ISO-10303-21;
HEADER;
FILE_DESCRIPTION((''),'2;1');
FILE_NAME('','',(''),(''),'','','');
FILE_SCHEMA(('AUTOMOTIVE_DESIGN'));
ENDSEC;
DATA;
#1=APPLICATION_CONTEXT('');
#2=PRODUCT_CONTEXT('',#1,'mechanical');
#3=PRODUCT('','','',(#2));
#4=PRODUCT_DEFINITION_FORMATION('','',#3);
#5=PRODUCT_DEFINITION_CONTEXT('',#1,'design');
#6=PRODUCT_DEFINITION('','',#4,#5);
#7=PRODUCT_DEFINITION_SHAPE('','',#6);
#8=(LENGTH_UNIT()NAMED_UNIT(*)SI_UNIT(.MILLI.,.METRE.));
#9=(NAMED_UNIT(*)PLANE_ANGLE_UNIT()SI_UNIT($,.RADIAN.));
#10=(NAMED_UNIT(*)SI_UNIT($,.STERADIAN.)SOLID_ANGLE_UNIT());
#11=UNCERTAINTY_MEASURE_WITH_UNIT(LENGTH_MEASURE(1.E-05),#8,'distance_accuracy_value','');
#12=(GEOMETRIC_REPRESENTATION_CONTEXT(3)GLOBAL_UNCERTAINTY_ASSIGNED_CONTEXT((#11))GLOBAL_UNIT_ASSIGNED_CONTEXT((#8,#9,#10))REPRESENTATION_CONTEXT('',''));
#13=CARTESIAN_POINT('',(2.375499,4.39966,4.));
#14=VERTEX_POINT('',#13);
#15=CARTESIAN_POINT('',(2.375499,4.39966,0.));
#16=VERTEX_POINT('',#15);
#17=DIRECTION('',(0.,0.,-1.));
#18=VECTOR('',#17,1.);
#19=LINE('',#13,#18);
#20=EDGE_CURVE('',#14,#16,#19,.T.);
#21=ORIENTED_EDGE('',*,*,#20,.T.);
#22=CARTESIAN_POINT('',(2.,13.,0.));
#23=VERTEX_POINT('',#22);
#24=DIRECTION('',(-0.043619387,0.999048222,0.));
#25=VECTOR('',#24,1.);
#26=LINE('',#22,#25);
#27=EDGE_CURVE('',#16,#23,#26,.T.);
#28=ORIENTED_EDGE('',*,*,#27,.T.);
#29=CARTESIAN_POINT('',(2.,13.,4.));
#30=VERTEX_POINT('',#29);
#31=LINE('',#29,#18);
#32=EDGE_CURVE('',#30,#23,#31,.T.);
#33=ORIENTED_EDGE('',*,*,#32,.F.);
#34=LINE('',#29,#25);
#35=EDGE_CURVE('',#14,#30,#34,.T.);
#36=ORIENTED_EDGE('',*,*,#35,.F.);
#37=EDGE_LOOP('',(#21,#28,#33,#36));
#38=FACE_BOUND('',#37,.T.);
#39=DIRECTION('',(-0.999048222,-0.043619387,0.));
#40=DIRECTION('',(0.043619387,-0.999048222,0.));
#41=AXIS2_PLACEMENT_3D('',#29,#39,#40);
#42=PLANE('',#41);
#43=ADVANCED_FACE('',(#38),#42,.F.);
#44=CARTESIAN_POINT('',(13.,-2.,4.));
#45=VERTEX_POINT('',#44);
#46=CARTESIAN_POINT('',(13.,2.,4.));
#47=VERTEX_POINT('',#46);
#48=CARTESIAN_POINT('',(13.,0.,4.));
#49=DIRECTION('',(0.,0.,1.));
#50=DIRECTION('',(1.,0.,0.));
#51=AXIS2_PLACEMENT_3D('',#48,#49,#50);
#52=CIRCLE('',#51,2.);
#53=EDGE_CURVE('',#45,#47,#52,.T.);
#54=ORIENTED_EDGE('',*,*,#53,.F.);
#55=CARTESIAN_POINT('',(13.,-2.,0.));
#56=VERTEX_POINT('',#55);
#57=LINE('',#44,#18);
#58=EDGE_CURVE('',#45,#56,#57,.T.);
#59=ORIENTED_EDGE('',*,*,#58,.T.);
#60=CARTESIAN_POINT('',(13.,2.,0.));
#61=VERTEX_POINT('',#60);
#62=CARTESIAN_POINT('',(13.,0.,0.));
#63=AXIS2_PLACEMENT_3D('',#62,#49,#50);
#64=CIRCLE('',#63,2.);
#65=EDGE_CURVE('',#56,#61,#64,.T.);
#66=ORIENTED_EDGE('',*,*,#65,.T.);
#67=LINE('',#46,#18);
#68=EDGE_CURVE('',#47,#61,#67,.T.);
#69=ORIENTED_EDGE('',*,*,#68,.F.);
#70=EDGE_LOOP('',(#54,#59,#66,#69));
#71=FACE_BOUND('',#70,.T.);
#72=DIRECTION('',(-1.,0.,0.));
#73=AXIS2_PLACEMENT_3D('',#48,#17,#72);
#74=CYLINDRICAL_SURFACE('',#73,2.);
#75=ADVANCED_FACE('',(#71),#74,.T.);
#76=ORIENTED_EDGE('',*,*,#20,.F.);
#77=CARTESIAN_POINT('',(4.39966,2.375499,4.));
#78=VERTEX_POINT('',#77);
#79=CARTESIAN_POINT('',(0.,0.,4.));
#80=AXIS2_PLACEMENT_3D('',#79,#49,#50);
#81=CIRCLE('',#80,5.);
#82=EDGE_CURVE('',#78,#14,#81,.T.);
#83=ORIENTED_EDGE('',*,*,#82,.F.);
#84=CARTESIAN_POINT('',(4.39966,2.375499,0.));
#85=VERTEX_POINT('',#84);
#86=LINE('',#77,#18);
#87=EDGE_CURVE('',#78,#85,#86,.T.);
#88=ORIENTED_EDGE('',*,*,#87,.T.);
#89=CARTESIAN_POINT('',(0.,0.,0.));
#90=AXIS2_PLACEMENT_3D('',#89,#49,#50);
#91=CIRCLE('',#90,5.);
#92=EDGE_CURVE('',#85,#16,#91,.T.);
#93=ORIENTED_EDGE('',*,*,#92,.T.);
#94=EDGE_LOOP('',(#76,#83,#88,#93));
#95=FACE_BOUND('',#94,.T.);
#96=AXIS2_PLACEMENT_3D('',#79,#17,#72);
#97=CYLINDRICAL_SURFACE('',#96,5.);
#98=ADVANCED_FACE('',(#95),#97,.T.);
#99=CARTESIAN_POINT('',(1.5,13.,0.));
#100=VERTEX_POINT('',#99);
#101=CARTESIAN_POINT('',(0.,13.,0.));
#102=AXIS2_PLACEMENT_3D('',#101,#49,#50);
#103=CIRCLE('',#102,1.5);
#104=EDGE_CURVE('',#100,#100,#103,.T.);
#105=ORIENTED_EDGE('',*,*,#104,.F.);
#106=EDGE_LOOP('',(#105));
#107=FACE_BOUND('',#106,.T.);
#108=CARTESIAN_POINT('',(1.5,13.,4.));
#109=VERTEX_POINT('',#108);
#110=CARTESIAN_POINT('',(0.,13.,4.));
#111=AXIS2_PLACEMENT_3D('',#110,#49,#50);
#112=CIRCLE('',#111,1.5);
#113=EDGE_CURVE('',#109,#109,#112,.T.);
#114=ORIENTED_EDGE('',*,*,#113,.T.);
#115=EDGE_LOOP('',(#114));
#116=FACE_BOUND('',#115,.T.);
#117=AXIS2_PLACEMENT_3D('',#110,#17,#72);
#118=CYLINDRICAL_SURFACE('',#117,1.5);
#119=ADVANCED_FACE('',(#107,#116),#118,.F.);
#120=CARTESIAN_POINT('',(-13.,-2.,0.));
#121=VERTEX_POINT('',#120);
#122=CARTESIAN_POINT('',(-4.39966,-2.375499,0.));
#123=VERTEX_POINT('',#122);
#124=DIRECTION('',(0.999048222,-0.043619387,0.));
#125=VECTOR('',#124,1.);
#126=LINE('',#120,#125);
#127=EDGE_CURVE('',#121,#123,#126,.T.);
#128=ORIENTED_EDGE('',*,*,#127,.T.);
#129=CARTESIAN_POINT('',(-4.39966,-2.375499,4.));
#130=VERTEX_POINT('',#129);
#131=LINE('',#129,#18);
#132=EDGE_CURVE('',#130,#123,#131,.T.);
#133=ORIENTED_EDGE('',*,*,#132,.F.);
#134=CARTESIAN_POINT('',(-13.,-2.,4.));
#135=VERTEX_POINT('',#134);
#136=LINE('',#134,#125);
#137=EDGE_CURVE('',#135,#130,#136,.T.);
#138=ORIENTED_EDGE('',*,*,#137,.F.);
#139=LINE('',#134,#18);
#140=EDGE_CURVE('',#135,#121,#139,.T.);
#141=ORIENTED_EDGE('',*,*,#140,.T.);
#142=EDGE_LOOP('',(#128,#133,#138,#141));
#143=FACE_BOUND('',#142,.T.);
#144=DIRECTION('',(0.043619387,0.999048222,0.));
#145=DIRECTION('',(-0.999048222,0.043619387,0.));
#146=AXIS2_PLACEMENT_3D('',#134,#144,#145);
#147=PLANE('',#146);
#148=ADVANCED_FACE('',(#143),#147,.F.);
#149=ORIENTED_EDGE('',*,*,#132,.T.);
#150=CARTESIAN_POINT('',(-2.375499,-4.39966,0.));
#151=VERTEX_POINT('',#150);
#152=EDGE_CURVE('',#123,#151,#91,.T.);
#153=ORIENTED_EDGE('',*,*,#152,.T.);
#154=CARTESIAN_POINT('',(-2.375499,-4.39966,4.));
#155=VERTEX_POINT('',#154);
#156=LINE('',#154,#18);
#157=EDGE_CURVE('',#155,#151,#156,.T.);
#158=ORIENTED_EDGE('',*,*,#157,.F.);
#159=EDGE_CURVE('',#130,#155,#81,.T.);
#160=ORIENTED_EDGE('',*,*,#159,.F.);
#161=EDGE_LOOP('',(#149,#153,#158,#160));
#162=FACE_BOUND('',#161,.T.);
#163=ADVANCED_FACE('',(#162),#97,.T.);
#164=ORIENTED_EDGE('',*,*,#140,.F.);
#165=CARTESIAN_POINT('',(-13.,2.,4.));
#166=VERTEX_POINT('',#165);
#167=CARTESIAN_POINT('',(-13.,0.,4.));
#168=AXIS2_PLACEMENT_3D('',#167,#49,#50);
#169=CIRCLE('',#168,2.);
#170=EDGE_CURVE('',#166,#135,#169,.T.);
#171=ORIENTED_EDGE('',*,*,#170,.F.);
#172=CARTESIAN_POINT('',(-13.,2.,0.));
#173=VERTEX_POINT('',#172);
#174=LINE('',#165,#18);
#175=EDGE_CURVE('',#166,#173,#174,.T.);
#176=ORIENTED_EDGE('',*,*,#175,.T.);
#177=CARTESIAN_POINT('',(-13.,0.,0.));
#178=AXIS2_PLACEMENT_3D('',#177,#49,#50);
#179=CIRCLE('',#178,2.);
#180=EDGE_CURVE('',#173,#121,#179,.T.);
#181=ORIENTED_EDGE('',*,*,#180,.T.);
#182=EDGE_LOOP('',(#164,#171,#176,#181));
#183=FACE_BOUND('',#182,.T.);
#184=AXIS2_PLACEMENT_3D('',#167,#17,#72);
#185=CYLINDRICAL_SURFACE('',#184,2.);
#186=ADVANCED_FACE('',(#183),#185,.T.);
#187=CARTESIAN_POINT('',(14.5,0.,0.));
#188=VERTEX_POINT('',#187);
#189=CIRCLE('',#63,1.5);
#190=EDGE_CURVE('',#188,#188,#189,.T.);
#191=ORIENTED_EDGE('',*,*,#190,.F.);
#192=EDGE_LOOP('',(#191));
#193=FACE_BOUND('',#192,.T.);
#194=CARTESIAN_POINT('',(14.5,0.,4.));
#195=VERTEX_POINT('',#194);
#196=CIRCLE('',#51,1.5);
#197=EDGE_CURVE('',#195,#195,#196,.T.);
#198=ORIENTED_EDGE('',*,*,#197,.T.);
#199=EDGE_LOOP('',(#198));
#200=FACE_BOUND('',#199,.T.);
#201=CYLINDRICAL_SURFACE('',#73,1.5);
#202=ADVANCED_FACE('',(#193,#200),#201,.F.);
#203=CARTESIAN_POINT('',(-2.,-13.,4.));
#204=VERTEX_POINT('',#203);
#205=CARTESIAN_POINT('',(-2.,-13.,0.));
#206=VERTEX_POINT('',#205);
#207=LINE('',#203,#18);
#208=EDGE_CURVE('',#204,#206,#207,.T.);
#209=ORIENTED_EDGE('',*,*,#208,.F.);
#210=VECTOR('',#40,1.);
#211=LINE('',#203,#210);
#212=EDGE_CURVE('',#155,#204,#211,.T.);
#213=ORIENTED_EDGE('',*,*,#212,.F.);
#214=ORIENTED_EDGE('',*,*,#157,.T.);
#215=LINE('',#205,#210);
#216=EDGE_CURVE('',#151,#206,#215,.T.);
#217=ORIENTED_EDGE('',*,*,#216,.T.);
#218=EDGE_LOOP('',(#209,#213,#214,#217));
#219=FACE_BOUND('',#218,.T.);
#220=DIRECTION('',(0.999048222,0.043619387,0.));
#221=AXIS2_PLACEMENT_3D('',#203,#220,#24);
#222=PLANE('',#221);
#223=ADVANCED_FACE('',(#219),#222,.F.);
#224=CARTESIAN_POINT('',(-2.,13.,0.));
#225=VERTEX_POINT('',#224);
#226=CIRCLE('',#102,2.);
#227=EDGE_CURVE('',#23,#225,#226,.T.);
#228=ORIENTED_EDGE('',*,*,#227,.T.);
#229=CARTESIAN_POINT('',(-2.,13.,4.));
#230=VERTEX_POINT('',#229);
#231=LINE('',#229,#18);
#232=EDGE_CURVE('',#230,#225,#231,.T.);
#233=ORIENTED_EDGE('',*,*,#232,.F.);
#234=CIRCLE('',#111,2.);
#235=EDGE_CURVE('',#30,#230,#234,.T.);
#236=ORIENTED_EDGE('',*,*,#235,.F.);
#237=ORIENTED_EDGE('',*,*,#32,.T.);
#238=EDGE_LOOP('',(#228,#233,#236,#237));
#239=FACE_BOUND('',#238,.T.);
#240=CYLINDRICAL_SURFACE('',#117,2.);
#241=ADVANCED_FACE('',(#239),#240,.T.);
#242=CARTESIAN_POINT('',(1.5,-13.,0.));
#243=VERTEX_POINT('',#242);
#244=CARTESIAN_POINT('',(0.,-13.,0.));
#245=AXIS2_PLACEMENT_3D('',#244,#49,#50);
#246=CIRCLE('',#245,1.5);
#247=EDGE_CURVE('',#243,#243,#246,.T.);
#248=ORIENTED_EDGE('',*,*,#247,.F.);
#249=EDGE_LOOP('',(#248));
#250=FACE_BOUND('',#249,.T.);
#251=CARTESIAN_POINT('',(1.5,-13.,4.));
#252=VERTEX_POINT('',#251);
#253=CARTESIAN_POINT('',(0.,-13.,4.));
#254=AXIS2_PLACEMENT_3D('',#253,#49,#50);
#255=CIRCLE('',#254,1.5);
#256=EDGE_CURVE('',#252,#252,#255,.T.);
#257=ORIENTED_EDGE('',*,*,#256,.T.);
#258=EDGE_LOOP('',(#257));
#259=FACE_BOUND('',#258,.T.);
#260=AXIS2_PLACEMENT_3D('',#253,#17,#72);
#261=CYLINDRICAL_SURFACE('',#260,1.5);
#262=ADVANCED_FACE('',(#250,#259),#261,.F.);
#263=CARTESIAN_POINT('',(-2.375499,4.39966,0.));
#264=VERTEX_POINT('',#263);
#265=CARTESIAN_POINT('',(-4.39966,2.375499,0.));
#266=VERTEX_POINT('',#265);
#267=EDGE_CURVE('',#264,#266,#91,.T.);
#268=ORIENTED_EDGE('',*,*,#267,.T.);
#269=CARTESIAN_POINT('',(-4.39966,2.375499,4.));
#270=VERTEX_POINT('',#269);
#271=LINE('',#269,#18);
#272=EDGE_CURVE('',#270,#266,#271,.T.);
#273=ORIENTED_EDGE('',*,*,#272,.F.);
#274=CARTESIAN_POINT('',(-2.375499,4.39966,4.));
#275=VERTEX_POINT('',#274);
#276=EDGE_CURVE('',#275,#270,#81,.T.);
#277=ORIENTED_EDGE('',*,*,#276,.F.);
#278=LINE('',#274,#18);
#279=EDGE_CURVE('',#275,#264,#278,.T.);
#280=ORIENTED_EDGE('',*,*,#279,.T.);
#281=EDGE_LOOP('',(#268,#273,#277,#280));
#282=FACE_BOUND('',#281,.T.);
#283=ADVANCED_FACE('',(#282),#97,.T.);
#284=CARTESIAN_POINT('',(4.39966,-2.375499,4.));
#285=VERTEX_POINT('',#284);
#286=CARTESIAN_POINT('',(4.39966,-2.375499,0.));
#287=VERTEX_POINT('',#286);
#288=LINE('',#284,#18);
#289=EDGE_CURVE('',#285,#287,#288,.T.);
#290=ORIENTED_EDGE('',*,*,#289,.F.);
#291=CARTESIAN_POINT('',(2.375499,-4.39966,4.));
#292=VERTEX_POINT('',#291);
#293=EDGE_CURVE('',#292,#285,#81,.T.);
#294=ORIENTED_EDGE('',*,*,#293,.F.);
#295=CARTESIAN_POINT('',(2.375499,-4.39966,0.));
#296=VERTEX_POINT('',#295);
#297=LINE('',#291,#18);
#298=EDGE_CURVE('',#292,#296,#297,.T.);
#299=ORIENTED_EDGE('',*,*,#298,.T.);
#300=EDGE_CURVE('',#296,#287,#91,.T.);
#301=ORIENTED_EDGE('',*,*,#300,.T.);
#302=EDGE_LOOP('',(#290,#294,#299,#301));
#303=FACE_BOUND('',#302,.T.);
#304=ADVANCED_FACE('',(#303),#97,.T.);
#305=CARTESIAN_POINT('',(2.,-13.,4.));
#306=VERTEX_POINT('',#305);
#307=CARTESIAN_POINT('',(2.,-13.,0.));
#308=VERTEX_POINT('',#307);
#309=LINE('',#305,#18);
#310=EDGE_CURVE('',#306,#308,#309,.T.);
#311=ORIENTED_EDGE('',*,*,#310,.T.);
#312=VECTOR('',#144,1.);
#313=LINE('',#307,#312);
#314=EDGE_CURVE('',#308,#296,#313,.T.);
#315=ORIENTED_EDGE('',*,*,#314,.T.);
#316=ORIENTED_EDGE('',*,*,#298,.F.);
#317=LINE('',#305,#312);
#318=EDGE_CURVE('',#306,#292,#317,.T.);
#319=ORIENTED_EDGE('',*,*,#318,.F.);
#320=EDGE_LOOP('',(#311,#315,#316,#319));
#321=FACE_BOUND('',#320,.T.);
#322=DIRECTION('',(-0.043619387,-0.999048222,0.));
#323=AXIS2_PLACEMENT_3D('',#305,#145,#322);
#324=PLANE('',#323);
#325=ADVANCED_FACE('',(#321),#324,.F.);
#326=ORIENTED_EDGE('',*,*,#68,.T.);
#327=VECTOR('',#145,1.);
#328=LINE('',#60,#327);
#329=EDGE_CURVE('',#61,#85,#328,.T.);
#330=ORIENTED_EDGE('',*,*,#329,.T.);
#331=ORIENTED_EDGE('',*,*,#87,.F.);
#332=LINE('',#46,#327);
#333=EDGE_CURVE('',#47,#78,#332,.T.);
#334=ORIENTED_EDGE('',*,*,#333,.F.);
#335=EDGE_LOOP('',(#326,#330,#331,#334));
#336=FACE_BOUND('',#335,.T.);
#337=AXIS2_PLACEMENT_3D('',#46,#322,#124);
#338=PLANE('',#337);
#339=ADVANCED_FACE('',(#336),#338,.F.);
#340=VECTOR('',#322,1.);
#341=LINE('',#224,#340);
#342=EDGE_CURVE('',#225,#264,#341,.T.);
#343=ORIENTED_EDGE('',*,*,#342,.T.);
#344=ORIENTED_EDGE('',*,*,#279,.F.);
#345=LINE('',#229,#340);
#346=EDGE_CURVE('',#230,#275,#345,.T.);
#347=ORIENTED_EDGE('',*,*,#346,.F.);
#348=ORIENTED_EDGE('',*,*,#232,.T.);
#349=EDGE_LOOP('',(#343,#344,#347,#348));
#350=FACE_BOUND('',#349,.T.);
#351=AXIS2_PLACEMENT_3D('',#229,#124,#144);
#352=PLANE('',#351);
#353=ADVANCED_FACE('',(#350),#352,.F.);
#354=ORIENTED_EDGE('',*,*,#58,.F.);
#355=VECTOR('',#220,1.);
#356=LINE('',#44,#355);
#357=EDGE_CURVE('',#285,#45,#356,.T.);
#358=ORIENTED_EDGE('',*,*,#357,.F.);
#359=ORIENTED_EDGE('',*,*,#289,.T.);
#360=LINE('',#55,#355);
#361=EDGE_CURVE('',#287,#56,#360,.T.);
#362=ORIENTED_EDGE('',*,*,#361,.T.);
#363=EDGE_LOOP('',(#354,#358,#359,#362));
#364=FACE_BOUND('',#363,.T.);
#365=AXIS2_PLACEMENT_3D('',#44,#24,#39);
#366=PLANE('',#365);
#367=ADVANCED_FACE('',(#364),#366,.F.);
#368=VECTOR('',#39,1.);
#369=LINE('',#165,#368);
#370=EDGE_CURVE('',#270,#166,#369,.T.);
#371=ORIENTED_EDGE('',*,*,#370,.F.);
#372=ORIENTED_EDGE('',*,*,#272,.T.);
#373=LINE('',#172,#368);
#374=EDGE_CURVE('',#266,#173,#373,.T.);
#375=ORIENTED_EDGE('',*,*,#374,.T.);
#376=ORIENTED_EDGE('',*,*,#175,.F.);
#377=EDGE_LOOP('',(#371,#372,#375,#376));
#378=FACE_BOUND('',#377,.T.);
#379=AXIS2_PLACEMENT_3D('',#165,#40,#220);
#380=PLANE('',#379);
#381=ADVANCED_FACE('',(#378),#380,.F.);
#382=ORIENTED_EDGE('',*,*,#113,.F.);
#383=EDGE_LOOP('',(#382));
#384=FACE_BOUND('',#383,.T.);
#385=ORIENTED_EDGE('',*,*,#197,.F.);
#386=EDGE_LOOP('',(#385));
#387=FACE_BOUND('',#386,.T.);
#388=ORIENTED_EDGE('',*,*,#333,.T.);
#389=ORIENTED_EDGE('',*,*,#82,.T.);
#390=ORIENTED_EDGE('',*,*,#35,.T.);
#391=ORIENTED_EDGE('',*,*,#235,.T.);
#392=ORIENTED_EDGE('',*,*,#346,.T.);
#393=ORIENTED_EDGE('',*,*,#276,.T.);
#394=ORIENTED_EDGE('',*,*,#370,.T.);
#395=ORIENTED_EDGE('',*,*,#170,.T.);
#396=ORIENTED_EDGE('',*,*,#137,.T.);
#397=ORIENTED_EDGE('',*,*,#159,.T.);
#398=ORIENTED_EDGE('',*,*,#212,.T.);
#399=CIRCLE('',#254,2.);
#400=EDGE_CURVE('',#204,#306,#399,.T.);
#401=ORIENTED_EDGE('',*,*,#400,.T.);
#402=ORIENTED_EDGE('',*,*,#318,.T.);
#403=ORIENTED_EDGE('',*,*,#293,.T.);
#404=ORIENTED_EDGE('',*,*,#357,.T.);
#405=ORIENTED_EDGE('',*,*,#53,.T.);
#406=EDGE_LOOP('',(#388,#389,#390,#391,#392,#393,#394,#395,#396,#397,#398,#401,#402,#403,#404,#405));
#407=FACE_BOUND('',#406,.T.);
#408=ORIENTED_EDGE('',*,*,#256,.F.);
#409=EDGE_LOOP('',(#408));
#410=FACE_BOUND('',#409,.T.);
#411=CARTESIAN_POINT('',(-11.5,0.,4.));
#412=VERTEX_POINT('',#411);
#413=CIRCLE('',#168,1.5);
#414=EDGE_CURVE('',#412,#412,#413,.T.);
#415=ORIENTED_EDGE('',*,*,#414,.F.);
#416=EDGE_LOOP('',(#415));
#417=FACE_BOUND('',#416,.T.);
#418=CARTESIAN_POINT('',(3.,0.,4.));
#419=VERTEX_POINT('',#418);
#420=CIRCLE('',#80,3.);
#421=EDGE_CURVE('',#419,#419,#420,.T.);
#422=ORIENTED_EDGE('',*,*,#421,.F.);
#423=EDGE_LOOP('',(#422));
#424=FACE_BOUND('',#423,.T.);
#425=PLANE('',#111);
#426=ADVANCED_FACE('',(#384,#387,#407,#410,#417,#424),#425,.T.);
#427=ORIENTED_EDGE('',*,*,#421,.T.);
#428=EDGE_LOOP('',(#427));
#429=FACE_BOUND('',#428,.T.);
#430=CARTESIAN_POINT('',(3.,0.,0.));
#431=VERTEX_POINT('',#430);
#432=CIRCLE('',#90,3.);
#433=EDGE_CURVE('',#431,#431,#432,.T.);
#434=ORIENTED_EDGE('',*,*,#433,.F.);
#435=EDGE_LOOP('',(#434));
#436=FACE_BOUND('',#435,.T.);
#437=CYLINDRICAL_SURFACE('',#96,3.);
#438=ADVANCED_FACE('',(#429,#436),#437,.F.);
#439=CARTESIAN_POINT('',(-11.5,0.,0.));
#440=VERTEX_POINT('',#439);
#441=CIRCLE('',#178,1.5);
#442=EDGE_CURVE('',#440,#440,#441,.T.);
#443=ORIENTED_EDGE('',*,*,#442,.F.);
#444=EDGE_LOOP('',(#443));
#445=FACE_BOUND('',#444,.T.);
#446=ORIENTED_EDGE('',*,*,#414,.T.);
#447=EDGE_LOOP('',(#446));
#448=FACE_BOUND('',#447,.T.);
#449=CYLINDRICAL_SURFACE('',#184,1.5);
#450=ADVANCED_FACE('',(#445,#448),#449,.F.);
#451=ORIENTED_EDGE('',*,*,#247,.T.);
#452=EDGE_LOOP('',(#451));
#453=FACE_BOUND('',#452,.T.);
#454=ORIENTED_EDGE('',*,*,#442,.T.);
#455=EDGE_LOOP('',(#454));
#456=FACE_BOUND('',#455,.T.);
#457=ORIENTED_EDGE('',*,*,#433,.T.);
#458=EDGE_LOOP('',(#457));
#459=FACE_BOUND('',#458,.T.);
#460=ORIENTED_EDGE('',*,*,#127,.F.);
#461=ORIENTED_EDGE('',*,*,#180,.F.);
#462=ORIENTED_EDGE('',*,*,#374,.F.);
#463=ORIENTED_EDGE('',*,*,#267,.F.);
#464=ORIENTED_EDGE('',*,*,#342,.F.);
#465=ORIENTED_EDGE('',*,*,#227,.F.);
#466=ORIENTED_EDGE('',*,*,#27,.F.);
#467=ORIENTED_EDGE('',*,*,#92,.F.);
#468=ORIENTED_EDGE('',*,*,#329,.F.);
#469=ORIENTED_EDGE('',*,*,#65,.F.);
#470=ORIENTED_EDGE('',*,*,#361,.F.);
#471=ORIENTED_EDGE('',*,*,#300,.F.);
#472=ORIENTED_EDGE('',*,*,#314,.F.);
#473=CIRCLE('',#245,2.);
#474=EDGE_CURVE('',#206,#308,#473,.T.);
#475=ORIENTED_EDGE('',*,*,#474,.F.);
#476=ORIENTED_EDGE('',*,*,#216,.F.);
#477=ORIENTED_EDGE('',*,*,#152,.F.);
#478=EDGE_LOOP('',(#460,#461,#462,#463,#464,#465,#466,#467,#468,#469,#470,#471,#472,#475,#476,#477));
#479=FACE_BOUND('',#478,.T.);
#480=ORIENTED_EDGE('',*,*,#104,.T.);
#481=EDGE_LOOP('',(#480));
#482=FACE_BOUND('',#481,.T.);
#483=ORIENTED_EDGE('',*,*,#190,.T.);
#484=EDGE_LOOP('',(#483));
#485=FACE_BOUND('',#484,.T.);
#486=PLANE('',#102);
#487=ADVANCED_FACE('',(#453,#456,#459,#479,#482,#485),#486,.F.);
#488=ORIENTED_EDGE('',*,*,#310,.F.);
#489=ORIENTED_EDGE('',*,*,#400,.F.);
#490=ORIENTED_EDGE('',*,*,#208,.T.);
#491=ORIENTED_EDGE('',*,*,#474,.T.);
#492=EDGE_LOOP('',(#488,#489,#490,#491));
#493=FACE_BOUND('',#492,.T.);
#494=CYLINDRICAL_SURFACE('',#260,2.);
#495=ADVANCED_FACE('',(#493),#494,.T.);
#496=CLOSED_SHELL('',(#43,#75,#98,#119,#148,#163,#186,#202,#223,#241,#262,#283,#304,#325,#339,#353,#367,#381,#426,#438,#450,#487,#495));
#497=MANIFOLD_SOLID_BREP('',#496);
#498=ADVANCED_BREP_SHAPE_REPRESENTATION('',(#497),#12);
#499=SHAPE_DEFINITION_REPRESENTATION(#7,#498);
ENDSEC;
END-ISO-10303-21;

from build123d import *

# Parameters (mm, degrees)
SKETCH1_R           = 3
SKETCH1_R_2         = 1.5
BOSS_EXTRUDE1_DEPTH = 4


with BuildPart() as part:
    # Sketch1 → Boss-Extrude1 (new body)
    with BuildSketch(Plane.XY):
        with BuildLine():
            Line((2, 13), (2.375498971, 4.399659605))
            ThreePointArc((2.375498971, 4.399659605), (3.535533906, 3.535533906), (4.399659605, 2.375498971))
            Line((4.399659605, 2.375498971), (13, 2))
            ThreePointArc((13, 2), (15, 0), (13, -2))
            Line((13, -2), (4.399659605, -2.375498971))
            ThreePointArc((4.399659605, -2.375498971), (3.535533906, -3.535533906), (2.375498971, -4.399659605))
            Line((2.375498971, -4.399659605), (2, -13))
            ThreePointArc((2, -13), (0, -15), (-2, -13))
            Line((-2, -13), (-2.375498971, -4.399659605))
            ThreePointArc((-2.375498971, -4.399659605), (-3.535533906, -3.535533906), (-4.399659605, -2.375498971))
            Line((-4.399659605, -2.375498971), (-13, -2))
            ThreePointArc((-13, -2), (-15, 0), (-13, 2))
            Line((-13, 2), (-4.399659605, 2.375498971))
            ThreePointArc((-4.399659605, 2.375498971), (-3.535533906, 3.535533906), (-2.375498971, 4.399659605))
            Line((-2.375498971, 4.399659605), (-2, 13))
            ThreePointArc((-2, 13), (0, 15), (2, 13))
        make_face()
        Circle(SKETCH1_R, mode=Mode.SUBTRACT)
        with Locations((0, 13)):
            Circle(SKETCH1_R_2, mode=Mode.SUBTRACT)
        with Locations((13, 0)):
            Circle(SKETCH1_R_2, mode=Mode.SUBTRACT)
        with Locations((0, -13)):
            Circle(SKETCH1_R_2, mode=Mode.SUBTRACT)
        with Locations((-13, 0)):
            Circle(SKETCH1_R_2, mode=Mode.SUBTRACT)
    extrude(amount=BOSS_EXTRUDE1_DEPTH)


solid = part.part
